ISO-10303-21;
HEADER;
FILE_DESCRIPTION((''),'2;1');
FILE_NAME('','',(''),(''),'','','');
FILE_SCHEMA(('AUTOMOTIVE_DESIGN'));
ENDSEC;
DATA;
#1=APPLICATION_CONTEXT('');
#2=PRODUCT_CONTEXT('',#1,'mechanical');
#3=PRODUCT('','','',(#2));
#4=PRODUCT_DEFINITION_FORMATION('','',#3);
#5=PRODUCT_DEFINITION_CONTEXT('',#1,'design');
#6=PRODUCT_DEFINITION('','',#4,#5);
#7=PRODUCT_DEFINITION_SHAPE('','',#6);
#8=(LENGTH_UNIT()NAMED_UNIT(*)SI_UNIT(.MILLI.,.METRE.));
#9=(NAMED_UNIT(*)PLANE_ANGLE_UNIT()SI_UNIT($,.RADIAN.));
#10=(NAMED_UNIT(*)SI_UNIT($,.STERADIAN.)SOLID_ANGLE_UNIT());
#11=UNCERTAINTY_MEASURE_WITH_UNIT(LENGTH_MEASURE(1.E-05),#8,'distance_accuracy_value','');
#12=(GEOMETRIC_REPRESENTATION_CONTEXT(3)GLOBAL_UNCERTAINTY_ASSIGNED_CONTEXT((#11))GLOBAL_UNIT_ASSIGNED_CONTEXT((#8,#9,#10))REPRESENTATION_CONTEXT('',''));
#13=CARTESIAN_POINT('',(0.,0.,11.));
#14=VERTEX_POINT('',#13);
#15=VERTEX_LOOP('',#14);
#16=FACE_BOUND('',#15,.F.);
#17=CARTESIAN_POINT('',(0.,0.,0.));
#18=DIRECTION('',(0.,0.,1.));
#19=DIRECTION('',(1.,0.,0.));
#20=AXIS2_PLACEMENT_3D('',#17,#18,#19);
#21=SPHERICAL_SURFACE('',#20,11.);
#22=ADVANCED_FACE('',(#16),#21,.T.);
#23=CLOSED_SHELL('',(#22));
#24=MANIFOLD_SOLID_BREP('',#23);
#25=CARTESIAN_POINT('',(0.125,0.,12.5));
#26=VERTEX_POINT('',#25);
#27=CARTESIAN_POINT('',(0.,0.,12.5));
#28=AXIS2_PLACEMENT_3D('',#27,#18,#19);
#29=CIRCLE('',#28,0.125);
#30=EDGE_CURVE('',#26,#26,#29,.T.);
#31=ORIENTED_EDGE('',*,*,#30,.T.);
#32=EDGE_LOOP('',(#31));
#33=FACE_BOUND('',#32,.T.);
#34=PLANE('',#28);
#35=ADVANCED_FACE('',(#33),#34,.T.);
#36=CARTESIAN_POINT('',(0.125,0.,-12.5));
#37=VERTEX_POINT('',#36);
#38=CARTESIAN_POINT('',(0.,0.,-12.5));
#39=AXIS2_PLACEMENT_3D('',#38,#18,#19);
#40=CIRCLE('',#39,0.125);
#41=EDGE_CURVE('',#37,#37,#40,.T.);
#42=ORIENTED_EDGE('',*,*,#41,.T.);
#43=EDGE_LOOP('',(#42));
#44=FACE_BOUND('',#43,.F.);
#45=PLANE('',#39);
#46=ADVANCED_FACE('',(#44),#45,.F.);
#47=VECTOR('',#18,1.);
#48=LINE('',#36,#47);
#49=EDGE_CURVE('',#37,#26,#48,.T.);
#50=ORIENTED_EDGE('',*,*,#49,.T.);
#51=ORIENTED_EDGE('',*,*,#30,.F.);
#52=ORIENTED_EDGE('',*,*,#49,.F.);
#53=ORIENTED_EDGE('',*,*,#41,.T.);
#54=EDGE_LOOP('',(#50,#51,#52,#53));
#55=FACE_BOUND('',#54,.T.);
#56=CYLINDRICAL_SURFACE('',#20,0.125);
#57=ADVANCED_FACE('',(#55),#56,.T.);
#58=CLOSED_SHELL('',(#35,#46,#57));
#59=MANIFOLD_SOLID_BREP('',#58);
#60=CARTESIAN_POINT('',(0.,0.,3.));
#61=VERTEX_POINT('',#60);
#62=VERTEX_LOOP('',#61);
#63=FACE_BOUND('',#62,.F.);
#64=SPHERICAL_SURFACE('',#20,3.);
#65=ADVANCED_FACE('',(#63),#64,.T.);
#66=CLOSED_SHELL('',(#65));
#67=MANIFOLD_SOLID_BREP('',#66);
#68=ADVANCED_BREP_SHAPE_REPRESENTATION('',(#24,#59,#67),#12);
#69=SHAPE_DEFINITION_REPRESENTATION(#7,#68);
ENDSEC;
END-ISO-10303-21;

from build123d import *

# Parameters (mm, degrees)
F4_R     = 0.125
F5_DEPTH = 12.5


with BuildPart() as f1:
    # F0 (on Front) → F1 (revolve)
    with BuildSketch(Plane.XZ):
        with BuildLine():
            ThreePointArc((0, -11), (11, 0), (0, 11))
            Line((0, 11), (0, -11))
        make_face()
    revolve(axis=Axis((0, 0, 0.4714287959), (0, 0, -1)))


with BuildPart() as f3:
    # F2 (on Front) → F3 (revolve)
    with BuildSketch(Plane.XZ):
        with BuildLine():
            ThreePointArc((0, -3), (3, 0), (0, 3))
            Line((0, 3), (0, -3))
        make_face()
    revolve(axis=Axis((0, 0, 0.0618835911), (0, 0, -1)))


with BuildPart() as f5:
    # F4 (on Top) → F5 (new body, symmetric)
    with BuildSketch(Plane.XY):
        Circle(F4_R)
    extrude(amount=F5_DEPTH, both=True)


solid = Compound([f1.part, f3.part, f5.part])
